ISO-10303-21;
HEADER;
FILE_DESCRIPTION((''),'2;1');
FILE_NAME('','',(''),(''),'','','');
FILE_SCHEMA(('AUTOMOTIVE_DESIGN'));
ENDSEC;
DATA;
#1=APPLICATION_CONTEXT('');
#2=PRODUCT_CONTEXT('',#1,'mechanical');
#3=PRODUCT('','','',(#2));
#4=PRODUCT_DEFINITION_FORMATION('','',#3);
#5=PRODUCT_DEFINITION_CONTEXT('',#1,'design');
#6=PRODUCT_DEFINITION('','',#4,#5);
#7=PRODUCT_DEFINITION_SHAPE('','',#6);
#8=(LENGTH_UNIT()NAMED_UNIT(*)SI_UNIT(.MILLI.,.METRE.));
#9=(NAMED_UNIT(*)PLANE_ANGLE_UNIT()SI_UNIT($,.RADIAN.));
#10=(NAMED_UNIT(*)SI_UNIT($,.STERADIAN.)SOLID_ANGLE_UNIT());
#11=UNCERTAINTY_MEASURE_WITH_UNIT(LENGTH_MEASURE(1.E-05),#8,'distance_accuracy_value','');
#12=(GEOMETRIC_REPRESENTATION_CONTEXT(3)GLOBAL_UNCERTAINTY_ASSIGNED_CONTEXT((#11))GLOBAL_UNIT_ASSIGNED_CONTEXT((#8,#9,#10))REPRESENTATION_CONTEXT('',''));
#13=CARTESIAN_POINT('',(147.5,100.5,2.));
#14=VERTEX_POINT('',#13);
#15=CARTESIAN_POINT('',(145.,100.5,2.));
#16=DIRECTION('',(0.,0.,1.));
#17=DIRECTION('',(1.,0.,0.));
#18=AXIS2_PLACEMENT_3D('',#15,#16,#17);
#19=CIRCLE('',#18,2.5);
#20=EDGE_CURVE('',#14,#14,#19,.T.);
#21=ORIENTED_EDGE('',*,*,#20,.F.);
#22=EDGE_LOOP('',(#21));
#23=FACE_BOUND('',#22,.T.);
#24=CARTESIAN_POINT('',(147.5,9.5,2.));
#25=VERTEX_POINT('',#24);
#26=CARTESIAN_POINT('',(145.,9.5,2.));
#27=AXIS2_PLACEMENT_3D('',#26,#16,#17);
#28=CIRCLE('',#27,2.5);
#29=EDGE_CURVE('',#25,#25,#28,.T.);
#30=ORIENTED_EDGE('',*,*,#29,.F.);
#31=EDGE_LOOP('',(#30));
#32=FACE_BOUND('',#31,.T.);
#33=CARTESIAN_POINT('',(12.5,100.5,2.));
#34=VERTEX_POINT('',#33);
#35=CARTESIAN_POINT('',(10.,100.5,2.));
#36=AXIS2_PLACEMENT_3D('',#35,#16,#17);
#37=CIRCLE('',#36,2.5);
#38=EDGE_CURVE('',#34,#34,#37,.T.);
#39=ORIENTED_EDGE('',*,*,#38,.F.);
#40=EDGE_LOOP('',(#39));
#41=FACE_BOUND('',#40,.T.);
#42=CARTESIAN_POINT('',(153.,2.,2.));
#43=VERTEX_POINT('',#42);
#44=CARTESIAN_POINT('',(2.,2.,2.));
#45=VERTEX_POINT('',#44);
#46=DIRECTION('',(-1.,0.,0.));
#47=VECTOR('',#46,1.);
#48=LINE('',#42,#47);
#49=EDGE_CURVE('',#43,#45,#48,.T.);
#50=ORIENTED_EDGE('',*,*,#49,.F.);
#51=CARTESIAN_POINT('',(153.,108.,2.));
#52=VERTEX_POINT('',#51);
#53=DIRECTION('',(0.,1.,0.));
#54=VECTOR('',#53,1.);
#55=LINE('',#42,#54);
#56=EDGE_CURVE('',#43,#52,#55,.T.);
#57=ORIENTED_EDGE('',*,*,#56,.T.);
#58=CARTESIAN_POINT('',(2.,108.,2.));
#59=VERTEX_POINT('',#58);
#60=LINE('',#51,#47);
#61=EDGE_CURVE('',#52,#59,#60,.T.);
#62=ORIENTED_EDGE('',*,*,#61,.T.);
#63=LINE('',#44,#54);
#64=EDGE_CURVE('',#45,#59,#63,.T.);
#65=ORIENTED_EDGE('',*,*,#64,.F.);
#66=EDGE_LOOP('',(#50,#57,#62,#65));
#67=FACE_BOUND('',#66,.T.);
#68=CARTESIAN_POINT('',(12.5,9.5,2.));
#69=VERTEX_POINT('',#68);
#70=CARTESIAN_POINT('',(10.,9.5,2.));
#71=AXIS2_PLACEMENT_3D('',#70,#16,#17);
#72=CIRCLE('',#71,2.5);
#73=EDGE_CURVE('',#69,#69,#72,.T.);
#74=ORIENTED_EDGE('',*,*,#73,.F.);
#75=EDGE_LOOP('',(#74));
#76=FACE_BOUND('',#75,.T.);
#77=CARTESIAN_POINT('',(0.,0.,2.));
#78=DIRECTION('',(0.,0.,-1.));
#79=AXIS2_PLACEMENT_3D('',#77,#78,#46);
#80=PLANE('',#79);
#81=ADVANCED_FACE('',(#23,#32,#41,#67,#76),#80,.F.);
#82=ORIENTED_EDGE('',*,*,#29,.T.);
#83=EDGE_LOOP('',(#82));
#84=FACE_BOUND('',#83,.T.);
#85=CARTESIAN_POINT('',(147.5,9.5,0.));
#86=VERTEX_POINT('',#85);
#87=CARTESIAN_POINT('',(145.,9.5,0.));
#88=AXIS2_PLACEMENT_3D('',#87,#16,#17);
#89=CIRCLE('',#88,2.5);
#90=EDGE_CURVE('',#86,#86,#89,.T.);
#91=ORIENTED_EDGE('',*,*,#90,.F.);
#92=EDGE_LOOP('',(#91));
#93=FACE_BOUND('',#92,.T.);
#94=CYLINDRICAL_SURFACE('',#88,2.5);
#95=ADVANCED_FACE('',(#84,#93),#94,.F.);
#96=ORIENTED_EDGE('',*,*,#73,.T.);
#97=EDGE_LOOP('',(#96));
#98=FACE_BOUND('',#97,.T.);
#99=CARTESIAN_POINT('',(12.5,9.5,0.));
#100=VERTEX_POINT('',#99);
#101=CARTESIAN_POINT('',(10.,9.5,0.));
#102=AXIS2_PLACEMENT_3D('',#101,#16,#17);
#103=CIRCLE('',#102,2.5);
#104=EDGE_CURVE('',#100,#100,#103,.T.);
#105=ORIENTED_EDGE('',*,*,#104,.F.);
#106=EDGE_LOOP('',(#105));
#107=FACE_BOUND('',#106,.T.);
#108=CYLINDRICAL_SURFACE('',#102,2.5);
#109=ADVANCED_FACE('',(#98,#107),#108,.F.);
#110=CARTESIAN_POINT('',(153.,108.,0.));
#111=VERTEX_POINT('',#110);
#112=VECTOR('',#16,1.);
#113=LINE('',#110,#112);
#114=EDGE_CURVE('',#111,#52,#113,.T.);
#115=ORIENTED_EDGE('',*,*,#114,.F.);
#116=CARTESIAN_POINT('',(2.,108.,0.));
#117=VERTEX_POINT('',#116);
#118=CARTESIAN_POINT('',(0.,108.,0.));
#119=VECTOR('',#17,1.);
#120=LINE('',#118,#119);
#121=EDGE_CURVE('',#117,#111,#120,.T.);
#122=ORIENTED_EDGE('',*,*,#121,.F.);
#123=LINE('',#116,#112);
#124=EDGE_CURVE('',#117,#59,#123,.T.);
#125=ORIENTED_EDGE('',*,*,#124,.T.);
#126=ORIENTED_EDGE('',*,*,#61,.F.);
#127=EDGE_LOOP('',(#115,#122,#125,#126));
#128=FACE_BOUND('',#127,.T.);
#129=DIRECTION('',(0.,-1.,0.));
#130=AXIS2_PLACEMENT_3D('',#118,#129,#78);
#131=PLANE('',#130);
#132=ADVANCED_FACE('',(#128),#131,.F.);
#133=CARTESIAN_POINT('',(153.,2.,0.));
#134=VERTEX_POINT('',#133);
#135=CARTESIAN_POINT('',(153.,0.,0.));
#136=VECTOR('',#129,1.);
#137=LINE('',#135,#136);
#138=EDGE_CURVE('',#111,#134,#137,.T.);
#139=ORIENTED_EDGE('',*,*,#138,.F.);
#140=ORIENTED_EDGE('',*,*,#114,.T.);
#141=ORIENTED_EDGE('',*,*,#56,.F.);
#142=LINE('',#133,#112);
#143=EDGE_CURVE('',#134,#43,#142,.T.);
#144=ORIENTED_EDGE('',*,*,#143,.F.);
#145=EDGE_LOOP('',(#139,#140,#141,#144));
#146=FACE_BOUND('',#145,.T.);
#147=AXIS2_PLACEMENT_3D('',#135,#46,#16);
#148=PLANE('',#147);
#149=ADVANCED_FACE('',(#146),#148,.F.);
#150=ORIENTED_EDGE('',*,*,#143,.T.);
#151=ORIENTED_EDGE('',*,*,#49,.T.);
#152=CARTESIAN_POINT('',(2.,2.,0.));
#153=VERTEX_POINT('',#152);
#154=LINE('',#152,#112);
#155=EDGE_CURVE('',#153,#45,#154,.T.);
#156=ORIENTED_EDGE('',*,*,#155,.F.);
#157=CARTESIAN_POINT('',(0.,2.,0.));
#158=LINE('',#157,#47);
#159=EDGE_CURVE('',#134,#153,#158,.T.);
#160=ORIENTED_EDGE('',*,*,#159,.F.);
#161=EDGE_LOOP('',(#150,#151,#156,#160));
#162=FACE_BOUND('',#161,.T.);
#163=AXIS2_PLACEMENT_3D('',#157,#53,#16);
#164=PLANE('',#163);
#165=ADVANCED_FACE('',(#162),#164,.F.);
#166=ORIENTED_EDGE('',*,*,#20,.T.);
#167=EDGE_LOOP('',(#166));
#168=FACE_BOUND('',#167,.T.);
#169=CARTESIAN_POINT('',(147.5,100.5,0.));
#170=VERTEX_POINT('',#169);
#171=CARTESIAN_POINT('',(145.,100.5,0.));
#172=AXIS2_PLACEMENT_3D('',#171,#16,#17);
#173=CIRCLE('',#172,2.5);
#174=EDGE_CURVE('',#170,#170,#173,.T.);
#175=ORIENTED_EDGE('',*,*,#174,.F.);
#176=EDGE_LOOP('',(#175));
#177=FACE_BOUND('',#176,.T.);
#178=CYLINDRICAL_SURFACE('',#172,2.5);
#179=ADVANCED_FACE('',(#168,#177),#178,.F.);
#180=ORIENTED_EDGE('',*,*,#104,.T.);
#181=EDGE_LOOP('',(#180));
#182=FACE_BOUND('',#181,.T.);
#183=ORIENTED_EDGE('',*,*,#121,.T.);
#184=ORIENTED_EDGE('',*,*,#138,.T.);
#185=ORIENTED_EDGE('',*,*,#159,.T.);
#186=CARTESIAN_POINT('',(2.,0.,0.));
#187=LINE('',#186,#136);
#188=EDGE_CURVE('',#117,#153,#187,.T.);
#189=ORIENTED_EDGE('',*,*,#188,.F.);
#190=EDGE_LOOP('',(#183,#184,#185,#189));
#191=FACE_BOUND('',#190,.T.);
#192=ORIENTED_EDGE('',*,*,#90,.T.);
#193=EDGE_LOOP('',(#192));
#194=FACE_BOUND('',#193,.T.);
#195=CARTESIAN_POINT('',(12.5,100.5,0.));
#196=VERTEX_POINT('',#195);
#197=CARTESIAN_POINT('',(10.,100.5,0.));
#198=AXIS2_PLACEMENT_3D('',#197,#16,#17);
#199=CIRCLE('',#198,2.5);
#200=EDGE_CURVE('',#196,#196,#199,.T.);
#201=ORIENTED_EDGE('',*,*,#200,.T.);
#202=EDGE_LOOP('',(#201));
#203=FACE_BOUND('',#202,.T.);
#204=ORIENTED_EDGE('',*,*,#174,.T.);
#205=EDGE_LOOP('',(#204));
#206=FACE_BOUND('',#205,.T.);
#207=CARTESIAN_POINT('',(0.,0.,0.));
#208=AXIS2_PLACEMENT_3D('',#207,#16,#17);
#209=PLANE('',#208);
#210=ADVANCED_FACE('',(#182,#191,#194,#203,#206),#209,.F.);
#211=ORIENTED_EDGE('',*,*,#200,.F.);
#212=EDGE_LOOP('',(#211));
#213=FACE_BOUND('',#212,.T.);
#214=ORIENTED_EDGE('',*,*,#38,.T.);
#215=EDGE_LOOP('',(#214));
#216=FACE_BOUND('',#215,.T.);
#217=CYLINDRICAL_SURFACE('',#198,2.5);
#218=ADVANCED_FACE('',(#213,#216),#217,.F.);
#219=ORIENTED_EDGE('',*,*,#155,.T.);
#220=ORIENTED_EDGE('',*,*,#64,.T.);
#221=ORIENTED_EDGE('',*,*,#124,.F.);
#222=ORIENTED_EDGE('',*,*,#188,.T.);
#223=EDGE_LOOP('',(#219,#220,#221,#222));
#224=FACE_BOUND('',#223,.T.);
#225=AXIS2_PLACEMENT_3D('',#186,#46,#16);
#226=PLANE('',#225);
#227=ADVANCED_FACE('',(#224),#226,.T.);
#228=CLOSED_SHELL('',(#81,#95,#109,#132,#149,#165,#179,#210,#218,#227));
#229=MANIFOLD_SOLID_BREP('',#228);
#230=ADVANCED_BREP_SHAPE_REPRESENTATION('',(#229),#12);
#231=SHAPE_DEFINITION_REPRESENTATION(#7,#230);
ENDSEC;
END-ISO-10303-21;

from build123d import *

# Parameters (mm, degrees)
SKETCH1_W           = 155
SKETCH1_H           = 110
BOSS_EXTRUDE1_DEPTH = 80
SKETCH2_W           = 151
SKETCH2_H           = 106
CUT_EXTRUDE1_DEPTH  = 78
SKETCH3_R           = 2.5
CUT_EXTRUDE2_DEPTH  = 2
SKETCH7_R           = 1.6
CUT_EXTRUDE7_DEPTH  = 2
SKETCH4_W           = 27.5
SKETCH4_H           = 46.8
CUT_EXTRUDE8_DEPTH  = 2
SKETCH8_W           = 4
SKETCH8_H           = 53
CUT_EXTRUDE9_DEPTH  = 2
SKETCH9_W           = 14
SKETCH9_H           = 14
CUT_EXTRUDE10_DEPTH = 2
SKETCH10_W          = 25.2
SKETCH10_H          = 71.2
SKETCH10_R          = 1.25
CUT_EXTRUDE12_DEPTH = 2
SKETCH11_R          = 2.5
SKETCH11_R_2        = 4.5
CUT_EXTRUDE13_DEPTH = 2
SKETCH12_W          = 151
SKETCH12_H          = 2
CUT_EXTRUDE14_DEPTH = 80


with BuildPart() as part:
    # Sketch1 → Boss-Extrude1 (new body)
    with BuildSketch(Plane.XY):
        with Locations((77.5, 55)):
            Rectangle(SKETCH1_W, SKETCH1_H)
    extrude(amount=BOSS_EXTRUDE1_DEPTH)

    # Sketch2 → Cut-Extrude1 (cut)
    with BuildSketch(Plane.XY.offset(80)):
        with Locations((77.5, 55)):
            Rectangle(SKETCH2_W, SKETCH2_H)
    extrude(amount=-CUT_EXTRUDE1_DEPTH, mode=Mode.SUBTRACT)

    # Sketch3 → Cut-Extrude2 (cut)
    with BuildSketch(Plane.XY.offset(2)):
        with Locations((145, 100.5)):
            Circle(SKETCH3_R)
        with Locations((145, 9.5)):
            Circle(SKETCH3_R)
        with Locations((10, 9.5)):
            Circle(SKETCH3_R)
        with Locations((10, 100.5)):
            Circle(SKETCH3_R)
    extrude(amount=-CUT_EXTRUDE2_DEPTH, mode=Mode.SUBTRACT)

    # Sketch7 → Cut-Extrude7 (cut)
    with BuildSketch(Plane(origin=(0, 110, 0), x_dir=(1, 0, 0), z_dir=(0, 1, 0))):
        with Locations((44.48, -20.14450396)):
            Circle(SKETCH7_R)
        with Locations((95.28, -17.14)):
            Circle(SKETCH7_R)
        with Locations((95.28, -62.86)):
            Circle(SKETCH7_R)
        with Locations((44.48, -47.62)):
            Circle(SKETCH7_R)
    extrude(amount=-CUT_EXTRUDE7_DEPTH, mode=Mode.SUBTRACT)

    # Sketch4 → Cut-Extrude8 (cut)
    with BuildSketch(Plane(origin=(155, 0, 0), x_dir=(0, 0, -1), z_dir=(1, 0, 0))):
        with Locations((-40, 82.5)):
            Rectangle(SKETCH4_W, SKETCH4_H)
    extrude(amount=-CUT_EXTRUDE8_DEPTH, mode=Mode.SUBTRACT)

    # Sketch8 → Cut-Extrude9 (cut)
    with BuildSketch(Plane(origin=(155, 0, 0), x_dir=(0, 0, -1), z_dir=(1, 0, 0))):
        with Locations((-68, 28.5)):
            Rectangle(SKETCH8_W, SKETCH8_H)
        with Locations((-76, 28.5)):
            Rectangle(SKETCH8_W, SKETCH8_H)
        with Locations((-60, 28.5)):
            Rectangle(SKETCH8_W, SKETCH8_H)
        with Locations((-52, 28.5)):
            Rectangle(SKETCH8_W, SKETCH8_H)
        with Locations((-44, 28.5)):
            Rectangle(SKETCH8_W, SKETCH8_H)
        with Locations((-36, 28.5)):
            Rectangle(SKETCH8_W, SKETCH8_H)
        with Locations((-28, 28.5)):
            Rectangle(SKETCH8_W, SKETCH8_H)
        with Locations((-20, 28.5)):
            Rectangle(SKETCH8_W, SKETCH8_H)
        with Locations((-12, 28.5)):
            Rectangle(SKETCH8_W, SKETCH8_H)
        with Locations((-4, 28.5)):
            Rectangle(SKETCH8_W, SKETCH8_H)
    extrude(amount=-CUT_EXTRUDE9_DEPTH, mode=Mode.SUBTRACT)

    # Sketch9 → Cut-Extrude10 (cut)
    with BuildSketch(Plane(origin=(0, 110, 0), x_dir=(1, 0, 0), z_dir=(0, 1, 0))):
        with Locations((120, -19)):
            Rectangle(SKETCH9_W, SKETCH9_H)
    extrude(amount=-CUT_EXTRUDE10_DEPTH, mode=Mode.SUBTRACT)

    # Sketch10 → Cut-Extrude12 (cut)
    with BuildSketch(Plane.ZY):
        with Locations((58, 55)):
            Rectangle(SKETCH10_W, SKETCH10_H)
        with Locations((42.5, 92.5)):
            Circle(SKETCH10_R)
        with Locations((73.5, 92.5)):
            Circle(SKETCH10_R)
        with Locations((42.5, 17.5)):
            Circle(SKETCH10_R)
        with Locations((73.5, 17.5)):
            Circle(SKETCH10_R)
    extrude(amount=-CUT_EXTRUDE12_DEPTH, mode=Mode.SUBTRACT)

    # Sketch11 → Cut-Extrude13 (cut)
    with BuildSketch(Plane.ZY):
        with Locations((20, 55)):
            Circle(SKETCH11_R)
        with Locations((20, 40)):
            Circle(SKETCH11_R)
        with Locations((20, 25)):
            Circle(SKETCH11_R)
        with Locations((20, 82.5)):
            Circle(SKETCH11_R_2)
    extrude(amount=-CUT_EXTRUDE13_DEPTH, mode=Mode.SUBTRACT)

    # Sketch12 → Cut-Extrude14 (cut)
    with BuildSketch(Plane.XY.offset(80)):
        Polygon((0, 110), (0, 108), (2, 108), (153, 108), (155, 108), (155, 110), align=None)
        Polygon((2, 108), (0, 108), (0, 0), (2, 0), (2, 2), align=None)
        Polygon((155, 108), (153, 108), (153, 2), (153, 0), (155, 0), align=None)
        with Locations((77.5, 1)):
            Rectangle(SKETCH12_W, SKETCH12_H)
    extrude(amount=-CUT_EXTRUDE14_DEPTH, mode=Mode.SUBTRACT)


solid = part.part
